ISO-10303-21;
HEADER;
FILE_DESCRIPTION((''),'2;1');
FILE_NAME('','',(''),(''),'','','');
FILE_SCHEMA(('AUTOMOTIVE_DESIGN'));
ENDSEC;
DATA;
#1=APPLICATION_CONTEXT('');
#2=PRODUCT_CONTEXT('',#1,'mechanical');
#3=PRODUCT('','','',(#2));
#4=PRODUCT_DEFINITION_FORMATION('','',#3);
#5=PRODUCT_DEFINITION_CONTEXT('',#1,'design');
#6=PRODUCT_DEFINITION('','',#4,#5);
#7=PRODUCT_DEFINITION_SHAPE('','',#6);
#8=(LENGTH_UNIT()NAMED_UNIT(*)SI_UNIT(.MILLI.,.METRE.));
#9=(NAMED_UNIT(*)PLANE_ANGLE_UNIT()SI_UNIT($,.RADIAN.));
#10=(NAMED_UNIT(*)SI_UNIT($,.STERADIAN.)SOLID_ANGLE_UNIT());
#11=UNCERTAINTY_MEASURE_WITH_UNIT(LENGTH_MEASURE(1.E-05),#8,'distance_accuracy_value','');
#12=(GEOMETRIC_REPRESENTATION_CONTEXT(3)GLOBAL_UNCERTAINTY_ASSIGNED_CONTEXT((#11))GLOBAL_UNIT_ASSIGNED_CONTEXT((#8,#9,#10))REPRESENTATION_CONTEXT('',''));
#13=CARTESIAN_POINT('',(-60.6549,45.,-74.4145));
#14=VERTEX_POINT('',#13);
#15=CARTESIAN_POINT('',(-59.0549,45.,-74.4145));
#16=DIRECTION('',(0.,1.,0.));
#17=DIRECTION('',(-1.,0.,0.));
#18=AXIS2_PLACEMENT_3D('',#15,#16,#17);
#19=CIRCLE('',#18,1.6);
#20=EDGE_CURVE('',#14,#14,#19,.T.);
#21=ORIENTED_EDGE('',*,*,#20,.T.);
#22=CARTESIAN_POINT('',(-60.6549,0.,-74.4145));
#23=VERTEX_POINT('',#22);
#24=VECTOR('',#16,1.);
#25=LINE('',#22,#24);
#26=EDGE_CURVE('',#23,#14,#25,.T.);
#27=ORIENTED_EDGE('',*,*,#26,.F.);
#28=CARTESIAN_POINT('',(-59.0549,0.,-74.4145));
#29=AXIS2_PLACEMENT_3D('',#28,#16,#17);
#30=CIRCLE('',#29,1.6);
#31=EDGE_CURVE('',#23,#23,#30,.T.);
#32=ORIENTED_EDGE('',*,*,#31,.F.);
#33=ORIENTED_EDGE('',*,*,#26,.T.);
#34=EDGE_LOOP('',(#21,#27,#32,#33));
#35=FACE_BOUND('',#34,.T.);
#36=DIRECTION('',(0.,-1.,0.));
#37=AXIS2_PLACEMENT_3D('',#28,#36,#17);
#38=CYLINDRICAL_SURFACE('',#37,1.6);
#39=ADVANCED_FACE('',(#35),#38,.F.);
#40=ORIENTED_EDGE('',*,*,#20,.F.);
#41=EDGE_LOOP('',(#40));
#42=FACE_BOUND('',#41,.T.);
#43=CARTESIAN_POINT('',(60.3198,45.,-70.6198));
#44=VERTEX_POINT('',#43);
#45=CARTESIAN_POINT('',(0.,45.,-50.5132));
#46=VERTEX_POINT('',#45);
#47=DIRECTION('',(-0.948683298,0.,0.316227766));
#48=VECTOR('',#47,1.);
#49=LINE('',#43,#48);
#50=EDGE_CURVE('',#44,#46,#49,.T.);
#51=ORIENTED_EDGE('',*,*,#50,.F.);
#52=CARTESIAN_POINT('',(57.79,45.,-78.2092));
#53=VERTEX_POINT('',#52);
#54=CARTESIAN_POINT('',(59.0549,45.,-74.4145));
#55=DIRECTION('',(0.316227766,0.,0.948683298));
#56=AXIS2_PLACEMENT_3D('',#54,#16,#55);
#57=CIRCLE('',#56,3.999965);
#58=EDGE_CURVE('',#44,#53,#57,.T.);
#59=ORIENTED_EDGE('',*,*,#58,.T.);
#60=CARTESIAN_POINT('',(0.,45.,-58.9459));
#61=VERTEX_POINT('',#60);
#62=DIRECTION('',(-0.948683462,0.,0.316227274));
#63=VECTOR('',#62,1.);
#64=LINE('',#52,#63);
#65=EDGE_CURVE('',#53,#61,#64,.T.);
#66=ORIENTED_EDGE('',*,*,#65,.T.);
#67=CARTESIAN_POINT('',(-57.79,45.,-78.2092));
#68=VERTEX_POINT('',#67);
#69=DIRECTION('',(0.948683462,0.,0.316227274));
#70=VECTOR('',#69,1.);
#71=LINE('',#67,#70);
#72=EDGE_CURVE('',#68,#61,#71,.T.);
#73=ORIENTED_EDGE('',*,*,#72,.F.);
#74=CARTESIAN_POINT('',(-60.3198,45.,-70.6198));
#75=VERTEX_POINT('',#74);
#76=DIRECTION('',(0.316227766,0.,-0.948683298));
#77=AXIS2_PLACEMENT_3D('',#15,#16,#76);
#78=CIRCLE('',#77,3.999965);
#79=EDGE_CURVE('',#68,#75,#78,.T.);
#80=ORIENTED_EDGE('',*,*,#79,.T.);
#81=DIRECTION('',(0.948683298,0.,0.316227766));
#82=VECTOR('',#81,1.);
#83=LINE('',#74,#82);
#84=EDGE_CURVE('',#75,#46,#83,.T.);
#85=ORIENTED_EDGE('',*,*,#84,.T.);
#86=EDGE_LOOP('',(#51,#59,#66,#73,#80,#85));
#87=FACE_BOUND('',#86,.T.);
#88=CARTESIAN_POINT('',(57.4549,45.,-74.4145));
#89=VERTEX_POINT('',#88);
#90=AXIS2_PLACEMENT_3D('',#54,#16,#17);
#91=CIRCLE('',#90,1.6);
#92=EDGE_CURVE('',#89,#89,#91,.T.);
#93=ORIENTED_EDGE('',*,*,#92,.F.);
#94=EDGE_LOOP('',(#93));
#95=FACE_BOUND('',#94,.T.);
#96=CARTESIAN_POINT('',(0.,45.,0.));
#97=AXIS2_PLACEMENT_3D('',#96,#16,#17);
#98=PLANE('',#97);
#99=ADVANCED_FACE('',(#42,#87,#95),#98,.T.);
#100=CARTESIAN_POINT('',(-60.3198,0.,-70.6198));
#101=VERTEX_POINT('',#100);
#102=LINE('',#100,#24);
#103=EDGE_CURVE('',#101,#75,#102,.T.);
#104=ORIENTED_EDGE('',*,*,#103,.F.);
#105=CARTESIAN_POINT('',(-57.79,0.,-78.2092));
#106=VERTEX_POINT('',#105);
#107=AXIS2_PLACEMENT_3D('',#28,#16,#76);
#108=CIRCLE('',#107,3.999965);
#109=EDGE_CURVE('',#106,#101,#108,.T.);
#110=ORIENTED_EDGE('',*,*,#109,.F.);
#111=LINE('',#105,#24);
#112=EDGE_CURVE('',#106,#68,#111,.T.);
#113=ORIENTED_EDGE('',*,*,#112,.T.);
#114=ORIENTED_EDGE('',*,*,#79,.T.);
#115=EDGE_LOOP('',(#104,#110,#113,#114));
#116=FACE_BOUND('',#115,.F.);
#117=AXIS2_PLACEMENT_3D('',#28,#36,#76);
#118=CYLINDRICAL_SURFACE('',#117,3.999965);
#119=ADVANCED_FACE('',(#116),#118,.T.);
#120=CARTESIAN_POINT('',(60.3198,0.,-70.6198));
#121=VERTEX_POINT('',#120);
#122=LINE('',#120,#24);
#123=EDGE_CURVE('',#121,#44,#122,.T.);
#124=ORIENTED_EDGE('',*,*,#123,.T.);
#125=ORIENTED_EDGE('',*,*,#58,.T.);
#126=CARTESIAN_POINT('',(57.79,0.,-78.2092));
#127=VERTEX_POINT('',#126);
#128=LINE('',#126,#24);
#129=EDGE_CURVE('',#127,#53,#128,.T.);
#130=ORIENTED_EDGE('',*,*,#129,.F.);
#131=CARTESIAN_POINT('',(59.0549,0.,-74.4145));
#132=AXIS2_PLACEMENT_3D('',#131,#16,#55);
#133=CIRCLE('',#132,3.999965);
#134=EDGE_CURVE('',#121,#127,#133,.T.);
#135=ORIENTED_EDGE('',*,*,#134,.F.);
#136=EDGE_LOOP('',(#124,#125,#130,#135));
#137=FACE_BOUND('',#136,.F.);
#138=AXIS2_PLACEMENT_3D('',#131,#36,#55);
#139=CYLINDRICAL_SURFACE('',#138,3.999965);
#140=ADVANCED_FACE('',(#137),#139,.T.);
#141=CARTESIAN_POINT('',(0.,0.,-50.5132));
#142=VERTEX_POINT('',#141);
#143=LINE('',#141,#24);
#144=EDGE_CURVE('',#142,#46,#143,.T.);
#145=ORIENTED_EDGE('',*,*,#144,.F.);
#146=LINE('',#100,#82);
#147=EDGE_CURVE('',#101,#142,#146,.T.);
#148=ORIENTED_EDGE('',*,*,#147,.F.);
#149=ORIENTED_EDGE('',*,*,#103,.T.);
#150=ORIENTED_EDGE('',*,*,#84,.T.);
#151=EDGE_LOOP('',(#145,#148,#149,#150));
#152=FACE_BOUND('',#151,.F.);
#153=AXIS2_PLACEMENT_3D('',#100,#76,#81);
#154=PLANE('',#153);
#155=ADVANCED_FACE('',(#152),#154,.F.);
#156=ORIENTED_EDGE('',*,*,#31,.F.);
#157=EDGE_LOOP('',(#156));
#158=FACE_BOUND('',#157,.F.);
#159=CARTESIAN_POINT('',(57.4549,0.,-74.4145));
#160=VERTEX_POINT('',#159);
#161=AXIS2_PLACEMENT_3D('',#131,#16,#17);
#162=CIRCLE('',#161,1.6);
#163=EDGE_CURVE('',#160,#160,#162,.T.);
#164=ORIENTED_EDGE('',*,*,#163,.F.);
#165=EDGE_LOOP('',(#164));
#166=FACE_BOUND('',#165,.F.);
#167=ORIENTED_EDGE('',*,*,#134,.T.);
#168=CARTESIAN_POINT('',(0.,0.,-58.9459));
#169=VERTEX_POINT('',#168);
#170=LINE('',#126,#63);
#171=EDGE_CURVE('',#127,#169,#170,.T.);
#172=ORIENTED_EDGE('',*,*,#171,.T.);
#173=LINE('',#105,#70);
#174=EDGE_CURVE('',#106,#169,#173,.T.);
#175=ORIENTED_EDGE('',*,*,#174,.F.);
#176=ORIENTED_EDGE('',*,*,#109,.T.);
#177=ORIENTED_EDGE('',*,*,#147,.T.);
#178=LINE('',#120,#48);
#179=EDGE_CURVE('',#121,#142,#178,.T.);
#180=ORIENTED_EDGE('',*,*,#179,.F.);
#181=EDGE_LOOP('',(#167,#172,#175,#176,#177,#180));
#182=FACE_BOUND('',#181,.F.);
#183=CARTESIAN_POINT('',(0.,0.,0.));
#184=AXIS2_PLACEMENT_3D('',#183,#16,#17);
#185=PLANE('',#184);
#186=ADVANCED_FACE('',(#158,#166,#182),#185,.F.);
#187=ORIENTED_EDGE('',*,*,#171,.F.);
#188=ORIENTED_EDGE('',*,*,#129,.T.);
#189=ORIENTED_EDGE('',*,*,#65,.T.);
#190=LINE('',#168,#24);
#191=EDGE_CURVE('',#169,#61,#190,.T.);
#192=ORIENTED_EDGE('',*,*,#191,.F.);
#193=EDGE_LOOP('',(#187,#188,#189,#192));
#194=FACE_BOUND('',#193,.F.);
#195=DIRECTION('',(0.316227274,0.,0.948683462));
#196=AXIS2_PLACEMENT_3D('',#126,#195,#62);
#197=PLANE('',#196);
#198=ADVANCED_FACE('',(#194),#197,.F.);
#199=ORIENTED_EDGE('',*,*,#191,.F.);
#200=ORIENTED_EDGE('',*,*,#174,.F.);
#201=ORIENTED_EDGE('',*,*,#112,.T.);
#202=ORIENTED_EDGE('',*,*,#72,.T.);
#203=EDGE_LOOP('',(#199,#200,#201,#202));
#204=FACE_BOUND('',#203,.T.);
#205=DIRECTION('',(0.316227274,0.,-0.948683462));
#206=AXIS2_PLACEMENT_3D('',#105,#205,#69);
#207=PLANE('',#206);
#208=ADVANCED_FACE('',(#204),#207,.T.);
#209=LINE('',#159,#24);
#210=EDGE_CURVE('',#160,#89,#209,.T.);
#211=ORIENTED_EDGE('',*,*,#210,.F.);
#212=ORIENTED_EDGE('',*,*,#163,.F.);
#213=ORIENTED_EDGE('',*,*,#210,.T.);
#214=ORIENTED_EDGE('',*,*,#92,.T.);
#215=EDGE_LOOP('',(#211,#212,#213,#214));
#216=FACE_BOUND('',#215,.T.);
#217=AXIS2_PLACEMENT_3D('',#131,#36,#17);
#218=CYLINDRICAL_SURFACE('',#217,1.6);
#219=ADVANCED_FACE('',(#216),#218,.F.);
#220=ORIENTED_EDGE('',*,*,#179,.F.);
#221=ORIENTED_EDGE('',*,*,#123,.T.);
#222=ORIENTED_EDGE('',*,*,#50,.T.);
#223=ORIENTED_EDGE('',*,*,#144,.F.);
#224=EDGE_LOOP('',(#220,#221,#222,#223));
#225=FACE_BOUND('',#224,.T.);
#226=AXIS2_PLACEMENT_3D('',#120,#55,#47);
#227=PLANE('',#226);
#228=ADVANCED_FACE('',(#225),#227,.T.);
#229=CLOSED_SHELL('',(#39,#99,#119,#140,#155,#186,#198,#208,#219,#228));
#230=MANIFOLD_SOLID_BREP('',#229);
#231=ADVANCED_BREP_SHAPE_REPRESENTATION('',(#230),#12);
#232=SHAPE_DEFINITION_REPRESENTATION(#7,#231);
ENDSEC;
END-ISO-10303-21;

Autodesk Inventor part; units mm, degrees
ref_plane "YZ Plane" through (0, 0, 0) normal (1, 0, 0) x (0, 1, 0)
ref_plane "XZ Plane" through (0, 0, 0) normal (0, 1, 0) x (-1, 0, 0)
ref_plane "XY Plane" through (0, 0, 0) normal (0, 0, 1) x (1, 0, 0)
sketch "Sketch1" plane through (0, 0, 0) normal (0, 1, 0) x (-1, 0, 0)
  circle A0 centre (59.0549, -74.4145) radius 1.6
  circle A1 centre (-59.0549, -74.4145) radius 1.6
  line L0 (57.79, -78.2092) -> (0, -58.9459)
  line L1 (-57.79, -78.2092) -> (0, -58.9459)
  line L2 (-60.3198, -70.6198) -> (0, -50.5132)
  line L3 (60.3198, -70.6198) -> (0, -50.5132)
  arc A2 (57.79, -78.2092) -> (60.3198, -70.6198) centre (59.0549, -74.4145) ccw
  arc A3 (-60.3198, -70.6198) -> (-57.79, -78.2092) centre (-59.0549, -74.4145) ccw
extrude "Extrusion1" add sketch "Sketch1" along normal blind 45
properties part number "Front Support"
